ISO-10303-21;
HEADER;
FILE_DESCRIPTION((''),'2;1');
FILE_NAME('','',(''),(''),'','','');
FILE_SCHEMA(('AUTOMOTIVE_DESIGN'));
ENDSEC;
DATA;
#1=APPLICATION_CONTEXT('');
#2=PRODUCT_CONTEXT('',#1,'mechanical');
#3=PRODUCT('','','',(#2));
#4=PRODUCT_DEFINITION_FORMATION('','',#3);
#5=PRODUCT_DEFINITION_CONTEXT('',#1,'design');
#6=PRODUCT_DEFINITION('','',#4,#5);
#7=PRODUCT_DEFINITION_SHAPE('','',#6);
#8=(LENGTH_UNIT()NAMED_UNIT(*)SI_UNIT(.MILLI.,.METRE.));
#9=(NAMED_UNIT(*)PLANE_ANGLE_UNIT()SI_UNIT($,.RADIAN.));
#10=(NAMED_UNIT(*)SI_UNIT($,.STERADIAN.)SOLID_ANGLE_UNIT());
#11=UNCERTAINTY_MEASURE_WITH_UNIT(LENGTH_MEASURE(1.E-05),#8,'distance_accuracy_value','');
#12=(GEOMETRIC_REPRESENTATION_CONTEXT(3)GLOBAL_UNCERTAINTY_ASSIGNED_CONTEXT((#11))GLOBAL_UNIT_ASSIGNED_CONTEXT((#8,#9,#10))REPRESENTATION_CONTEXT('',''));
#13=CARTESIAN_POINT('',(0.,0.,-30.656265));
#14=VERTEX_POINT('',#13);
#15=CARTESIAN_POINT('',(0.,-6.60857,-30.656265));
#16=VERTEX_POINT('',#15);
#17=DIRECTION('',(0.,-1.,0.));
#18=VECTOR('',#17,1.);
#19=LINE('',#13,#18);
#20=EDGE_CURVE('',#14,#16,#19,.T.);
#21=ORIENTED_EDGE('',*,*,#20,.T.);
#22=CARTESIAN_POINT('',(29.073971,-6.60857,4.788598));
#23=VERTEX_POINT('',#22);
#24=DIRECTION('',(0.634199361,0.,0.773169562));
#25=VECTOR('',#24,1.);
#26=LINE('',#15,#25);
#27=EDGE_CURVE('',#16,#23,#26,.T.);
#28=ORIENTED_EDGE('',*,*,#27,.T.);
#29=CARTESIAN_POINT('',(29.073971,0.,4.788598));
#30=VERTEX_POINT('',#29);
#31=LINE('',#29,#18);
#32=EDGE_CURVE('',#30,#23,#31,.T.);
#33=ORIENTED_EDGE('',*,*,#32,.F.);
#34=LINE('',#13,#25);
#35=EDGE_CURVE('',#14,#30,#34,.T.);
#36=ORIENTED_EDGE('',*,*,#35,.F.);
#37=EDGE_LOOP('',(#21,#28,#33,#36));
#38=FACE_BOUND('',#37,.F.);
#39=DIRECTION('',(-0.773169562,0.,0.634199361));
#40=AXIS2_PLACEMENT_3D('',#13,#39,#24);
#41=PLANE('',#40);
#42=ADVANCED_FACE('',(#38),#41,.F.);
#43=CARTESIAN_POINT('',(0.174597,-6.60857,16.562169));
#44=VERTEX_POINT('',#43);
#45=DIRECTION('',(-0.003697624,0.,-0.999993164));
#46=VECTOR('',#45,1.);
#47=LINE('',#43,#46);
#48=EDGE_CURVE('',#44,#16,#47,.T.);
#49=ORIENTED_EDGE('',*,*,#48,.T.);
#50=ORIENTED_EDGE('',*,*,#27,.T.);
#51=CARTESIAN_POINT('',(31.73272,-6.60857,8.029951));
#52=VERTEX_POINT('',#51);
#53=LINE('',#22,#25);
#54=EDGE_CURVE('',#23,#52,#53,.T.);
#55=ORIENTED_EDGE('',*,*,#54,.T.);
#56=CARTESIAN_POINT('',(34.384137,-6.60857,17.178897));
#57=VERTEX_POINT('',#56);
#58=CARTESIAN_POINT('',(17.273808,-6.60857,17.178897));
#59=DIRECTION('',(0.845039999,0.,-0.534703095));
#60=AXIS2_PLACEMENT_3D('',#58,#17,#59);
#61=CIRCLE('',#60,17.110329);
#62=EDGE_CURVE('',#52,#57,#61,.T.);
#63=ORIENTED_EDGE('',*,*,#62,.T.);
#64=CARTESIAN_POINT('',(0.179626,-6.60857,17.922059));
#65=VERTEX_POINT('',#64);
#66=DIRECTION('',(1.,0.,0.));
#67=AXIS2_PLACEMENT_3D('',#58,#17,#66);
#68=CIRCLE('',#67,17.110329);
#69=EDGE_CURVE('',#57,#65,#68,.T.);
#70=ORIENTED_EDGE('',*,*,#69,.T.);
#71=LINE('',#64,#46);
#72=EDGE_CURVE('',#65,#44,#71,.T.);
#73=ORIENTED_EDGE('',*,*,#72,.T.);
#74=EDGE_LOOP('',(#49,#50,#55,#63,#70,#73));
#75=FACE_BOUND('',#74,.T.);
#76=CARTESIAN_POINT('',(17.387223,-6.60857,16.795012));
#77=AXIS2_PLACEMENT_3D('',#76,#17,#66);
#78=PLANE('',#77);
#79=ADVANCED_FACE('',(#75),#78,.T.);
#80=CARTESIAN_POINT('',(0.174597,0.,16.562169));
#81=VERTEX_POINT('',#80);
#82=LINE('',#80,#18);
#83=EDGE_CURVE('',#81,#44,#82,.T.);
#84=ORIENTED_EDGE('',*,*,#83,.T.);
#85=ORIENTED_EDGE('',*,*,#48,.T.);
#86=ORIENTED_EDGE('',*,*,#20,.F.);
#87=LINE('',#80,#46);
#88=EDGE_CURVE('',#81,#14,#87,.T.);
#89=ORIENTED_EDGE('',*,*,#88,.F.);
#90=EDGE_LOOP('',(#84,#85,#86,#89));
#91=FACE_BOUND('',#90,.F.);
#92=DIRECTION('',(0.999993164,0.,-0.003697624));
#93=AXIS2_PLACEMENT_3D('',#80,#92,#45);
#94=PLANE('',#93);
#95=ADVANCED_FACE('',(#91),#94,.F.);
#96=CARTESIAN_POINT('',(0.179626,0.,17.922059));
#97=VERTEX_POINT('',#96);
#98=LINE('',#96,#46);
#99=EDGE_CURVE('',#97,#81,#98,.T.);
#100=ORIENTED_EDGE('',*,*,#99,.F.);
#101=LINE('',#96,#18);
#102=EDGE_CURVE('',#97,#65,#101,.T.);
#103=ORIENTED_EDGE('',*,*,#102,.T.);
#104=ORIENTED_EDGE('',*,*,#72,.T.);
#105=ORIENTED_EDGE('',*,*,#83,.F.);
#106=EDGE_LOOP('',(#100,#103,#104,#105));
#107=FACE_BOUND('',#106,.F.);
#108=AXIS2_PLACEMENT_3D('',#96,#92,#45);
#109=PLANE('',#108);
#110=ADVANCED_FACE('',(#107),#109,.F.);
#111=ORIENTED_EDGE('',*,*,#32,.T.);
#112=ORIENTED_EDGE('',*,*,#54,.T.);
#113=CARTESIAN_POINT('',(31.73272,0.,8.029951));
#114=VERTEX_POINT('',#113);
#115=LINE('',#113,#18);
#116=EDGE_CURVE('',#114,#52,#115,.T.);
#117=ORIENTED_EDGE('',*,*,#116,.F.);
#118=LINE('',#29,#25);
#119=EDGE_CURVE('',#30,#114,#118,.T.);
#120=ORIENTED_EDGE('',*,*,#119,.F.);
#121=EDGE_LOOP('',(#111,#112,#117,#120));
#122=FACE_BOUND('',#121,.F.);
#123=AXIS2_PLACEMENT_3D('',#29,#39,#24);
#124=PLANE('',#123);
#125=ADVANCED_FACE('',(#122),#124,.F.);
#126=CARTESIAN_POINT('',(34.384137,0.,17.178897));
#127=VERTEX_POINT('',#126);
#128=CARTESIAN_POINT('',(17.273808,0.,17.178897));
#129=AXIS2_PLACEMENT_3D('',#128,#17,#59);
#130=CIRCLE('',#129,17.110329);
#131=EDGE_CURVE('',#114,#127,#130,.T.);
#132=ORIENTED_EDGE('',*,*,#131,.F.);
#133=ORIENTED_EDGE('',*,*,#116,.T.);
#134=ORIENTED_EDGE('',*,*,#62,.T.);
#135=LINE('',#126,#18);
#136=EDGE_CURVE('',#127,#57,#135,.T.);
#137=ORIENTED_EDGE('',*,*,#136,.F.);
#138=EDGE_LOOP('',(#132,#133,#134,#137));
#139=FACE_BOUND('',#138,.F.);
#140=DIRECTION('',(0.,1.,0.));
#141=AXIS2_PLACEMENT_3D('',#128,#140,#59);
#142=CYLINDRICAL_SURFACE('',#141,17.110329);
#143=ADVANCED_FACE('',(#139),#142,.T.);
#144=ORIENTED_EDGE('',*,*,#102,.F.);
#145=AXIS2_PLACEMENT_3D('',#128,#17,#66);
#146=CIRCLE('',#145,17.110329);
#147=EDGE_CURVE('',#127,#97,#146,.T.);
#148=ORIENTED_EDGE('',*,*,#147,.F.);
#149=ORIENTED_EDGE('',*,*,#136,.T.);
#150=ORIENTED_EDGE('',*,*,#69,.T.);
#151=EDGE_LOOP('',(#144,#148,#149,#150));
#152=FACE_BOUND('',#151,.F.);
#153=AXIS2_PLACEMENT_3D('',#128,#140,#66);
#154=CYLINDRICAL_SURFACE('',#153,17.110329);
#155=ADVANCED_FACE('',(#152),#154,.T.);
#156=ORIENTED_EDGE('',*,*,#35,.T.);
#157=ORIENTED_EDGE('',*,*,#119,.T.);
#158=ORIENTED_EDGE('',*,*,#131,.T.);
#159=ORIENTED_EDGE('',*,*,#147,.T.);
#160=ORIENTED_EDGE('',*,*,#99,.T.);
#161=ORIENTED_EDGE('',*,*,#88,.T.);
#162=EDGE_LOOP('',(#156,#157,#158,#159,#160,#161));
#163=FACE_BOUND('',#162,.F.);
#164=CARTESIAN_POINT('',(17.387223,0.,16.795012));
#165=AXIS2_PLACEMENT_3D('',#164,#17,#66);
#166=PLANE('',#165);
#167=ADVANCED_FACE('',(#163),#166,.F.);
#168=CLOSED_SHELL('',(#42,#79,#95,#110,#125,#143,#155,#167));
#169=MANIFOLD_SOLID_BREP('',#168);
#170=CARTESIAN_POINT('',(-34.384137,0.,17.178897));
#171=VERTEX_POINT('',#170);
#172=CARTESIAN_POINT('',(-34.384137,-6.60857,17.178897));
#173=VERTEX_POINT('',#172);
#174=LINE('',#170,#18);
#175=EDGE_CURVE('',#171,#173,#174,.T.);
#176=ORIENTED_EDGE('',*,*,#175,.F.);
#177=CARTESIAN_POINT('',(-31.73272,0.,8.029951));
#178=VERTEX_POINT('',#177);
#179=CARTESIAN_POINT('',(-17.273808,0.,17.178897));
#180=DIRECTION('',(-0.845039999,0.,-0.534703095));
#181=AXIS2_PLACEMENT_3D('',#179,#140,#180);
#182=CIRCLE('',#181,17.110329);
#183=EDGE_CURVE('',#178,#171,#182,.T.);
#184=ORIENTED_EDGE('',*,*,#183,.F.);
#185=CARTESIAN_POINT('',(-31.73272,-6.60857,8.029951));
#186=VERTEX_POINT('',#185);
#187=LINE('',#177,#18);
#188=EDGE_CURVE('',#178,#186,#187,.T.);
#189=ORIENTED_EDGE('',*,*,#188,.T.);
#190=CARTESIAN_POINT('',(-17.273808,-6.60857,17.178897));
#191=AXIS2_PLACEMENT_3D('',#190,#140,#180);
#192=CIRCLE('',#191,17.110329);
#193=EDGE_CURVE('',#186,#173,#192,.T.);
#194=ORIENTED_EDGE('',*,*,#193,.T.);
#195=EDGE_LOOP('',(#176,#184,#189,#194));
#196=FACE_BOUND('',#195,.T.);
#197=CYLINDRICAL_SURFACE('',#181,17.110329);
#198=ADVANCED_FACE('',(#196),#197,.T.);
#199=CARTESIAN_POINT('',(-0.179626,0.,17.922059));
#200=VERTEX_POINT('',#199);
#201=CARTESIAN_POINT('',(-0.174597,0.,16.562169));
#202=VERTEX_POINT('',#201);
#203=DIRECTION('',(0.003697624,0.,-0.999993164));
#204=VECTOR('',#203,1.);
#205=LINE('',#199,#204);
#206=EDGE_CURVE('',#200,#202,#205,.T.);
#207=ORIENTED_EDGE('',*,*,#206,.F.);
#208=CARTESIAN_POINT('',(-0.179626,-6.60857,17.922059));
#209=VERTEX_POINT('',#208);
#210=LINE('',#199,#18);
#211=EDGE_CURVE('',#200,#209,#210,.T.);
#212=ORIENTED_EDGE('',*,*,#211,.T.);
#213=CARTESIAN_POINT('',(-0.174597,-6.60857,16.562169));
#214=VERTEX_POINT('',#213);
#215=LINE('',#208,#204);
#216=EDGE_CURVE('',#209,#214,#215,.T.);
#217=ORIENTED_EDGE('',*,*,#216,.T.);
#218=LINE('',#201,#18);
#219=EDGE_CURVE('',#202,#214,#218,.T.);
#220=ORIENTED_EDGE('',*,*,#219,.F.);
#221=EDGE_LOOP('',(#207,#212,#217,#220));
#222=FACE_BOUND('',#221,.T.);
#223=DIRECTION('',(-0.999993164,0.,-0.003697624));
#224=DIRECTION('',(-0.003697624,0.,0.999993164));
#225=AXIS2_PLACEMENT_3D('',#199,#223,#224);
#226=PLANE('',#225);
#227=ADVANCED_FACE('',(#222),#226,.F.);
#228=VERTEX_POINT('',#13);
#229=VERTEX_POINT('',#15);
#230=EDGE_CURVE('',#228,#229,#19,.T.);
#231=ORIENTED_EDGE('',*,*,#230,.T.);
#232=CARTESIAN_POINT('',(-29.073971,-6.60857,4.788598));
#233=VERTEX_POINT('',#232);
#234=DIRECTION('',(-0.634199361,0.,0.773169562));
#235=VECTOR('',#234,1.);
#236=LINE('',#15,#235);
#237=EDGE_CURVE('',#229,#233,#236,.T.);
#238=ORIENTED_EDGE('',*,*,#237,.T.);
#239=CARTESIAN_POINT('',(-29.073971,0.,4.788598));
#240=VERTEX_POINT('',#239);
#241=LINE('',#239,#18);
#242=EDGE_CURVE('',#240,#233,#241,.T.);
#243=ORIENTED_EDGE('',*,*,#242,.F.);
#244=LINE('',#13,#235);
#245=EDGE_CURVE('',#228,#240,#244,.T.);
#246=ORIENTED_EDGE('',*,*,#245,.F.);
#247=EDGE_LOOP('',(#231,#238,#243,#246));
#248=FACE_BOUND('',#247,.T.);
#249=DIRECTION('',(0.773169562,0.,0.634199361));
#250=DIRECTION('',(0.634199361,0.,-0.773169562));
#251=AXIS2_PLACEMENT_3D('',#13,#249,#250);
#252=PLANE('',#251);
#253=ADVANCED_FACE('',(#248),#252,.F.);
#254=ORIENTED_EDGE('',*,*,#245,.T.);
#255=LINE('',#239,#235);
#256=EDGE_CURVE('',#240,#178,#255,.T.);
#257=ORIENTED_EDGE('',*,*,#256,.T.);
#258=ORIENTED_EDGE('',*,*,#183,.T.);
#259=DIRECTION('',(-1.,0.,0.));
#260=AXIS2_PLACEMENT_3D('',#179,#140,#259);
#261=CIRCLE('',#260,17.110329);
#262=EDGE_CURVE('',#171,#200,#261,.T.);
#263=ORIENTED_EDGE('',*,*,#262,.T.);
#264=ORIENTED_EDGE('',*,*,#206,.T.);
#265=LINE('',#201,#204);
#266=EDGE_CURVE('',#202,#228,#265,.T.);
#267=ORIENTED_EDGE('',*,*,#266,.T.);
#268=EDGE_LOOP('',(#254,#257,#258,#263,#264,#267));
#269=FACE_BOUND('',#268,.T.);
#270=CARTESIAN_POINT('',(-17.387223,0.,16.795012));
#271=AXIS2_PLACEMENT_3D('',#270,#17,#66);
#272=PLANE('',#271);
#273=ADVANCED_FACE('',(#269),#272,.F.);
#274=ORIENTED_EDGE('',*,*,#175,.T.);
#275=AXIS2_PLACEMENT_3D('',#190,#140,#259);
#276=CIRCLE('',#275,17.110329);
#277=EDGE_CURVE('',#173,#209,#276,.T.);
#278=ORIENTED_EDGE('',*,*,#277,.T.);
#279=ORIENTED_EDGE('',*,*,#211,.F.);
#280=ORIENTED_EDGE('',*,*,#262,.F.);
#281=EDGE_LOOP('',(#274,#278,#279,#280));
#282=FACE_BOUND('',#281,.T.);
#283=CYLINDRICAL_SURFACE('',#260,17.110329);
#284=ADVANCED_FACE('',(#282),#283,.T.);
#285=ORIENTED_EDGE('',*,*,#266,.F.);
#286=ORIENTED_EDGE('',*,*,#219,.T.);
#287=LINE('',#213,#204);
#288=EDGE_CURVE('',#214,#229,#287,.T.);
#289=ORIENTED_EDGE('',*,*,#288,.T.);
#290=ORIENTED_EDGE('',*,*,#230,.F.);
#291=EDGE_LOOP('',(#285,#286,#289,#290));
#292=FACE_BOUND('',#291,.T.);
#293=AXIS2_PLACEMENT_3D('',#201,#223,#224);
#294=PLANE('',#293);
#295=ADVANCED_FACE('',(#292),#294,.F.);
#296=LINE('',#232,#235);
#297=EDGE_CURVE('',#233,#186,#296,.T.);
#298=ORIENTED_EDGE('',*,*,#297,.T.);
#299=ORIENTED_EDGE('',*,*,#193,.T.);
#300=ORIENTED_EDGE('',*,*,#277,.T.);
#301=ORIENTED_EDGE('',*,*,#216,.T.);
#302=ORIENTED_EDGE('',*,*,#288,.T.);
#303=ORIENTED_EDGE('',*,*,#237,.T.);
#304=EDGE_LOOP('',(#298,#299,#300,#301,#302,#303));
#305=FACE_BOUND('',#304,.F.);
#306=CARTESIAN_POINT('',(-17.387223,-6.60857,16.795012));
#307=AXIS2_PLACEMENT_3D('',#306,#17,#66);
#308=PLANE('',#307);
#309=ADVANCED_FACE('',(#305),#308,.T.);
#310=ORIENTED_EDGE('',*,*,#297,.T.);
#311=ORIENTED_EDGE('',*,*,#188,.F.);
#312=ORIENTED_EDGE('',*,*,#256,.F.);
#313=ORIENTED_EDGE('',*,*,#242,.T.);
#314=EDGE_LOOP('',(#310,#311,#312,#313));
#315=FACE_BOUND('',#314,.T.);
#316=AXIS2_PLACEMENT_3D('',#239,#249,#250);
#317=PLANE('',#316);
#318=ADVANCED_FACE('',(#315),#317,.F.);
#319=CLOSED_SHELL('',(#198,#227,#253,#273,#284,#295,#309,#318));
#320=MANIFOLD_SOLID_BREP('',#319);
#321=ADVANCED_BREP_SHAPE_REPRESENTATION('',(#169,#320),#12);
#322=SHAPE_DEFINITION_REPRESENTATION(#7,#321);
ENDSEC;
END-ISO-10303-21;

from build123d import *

# Parameters (mm, degrees)
F1_DEPTH = 6.60857


with BuildPart() as f1:
    # F0 (on Front) → F1 (new body)
    with BuildSketch(Plane.XZ):
        with BuildLine():
            ThreePointArc((31.7327203236, 8.0299509299), (33.7079204125, 12.4161974544), (34.3841369227, 17.1788968146))
            ThreePointArc((34.3841369227, 17.1788968146), (17.6454768826, 34.2851886832), (0.1796255922, 17.922059394))
            Line((0.1796255922, 17.922059394), (0.1745971964, 16.5621694001))
            ThreePointArc((0.1745971964, 16.5621694001), (10.8182501633, 1.3331045132), (29.0739707402, 4.7885975353))
            Line((29.0739707402, 4.7885975353), (31.7327203236, 8.0299509299))
        make_face()
        with BuildLine():
            ThreePointArc((29.0739707402, 4.7885975353), (10.8182501633, 1.3331045132), (0.1745971964, 16.5621694001))
            Line((0.1745971964, 16.5621694001), (0, -30.6562650949))
            Line((0, -30.6562650949), (29.0739707402, 4.7885975353))
        make_face()
    extrude(amount=F1_DEPTH)


with BuildPart() as f2_1:
    # F2: instance of F1
    add(f1.part.mirror(Plane.YZ))


solid = Compound([f1.part, f2_1.part])
